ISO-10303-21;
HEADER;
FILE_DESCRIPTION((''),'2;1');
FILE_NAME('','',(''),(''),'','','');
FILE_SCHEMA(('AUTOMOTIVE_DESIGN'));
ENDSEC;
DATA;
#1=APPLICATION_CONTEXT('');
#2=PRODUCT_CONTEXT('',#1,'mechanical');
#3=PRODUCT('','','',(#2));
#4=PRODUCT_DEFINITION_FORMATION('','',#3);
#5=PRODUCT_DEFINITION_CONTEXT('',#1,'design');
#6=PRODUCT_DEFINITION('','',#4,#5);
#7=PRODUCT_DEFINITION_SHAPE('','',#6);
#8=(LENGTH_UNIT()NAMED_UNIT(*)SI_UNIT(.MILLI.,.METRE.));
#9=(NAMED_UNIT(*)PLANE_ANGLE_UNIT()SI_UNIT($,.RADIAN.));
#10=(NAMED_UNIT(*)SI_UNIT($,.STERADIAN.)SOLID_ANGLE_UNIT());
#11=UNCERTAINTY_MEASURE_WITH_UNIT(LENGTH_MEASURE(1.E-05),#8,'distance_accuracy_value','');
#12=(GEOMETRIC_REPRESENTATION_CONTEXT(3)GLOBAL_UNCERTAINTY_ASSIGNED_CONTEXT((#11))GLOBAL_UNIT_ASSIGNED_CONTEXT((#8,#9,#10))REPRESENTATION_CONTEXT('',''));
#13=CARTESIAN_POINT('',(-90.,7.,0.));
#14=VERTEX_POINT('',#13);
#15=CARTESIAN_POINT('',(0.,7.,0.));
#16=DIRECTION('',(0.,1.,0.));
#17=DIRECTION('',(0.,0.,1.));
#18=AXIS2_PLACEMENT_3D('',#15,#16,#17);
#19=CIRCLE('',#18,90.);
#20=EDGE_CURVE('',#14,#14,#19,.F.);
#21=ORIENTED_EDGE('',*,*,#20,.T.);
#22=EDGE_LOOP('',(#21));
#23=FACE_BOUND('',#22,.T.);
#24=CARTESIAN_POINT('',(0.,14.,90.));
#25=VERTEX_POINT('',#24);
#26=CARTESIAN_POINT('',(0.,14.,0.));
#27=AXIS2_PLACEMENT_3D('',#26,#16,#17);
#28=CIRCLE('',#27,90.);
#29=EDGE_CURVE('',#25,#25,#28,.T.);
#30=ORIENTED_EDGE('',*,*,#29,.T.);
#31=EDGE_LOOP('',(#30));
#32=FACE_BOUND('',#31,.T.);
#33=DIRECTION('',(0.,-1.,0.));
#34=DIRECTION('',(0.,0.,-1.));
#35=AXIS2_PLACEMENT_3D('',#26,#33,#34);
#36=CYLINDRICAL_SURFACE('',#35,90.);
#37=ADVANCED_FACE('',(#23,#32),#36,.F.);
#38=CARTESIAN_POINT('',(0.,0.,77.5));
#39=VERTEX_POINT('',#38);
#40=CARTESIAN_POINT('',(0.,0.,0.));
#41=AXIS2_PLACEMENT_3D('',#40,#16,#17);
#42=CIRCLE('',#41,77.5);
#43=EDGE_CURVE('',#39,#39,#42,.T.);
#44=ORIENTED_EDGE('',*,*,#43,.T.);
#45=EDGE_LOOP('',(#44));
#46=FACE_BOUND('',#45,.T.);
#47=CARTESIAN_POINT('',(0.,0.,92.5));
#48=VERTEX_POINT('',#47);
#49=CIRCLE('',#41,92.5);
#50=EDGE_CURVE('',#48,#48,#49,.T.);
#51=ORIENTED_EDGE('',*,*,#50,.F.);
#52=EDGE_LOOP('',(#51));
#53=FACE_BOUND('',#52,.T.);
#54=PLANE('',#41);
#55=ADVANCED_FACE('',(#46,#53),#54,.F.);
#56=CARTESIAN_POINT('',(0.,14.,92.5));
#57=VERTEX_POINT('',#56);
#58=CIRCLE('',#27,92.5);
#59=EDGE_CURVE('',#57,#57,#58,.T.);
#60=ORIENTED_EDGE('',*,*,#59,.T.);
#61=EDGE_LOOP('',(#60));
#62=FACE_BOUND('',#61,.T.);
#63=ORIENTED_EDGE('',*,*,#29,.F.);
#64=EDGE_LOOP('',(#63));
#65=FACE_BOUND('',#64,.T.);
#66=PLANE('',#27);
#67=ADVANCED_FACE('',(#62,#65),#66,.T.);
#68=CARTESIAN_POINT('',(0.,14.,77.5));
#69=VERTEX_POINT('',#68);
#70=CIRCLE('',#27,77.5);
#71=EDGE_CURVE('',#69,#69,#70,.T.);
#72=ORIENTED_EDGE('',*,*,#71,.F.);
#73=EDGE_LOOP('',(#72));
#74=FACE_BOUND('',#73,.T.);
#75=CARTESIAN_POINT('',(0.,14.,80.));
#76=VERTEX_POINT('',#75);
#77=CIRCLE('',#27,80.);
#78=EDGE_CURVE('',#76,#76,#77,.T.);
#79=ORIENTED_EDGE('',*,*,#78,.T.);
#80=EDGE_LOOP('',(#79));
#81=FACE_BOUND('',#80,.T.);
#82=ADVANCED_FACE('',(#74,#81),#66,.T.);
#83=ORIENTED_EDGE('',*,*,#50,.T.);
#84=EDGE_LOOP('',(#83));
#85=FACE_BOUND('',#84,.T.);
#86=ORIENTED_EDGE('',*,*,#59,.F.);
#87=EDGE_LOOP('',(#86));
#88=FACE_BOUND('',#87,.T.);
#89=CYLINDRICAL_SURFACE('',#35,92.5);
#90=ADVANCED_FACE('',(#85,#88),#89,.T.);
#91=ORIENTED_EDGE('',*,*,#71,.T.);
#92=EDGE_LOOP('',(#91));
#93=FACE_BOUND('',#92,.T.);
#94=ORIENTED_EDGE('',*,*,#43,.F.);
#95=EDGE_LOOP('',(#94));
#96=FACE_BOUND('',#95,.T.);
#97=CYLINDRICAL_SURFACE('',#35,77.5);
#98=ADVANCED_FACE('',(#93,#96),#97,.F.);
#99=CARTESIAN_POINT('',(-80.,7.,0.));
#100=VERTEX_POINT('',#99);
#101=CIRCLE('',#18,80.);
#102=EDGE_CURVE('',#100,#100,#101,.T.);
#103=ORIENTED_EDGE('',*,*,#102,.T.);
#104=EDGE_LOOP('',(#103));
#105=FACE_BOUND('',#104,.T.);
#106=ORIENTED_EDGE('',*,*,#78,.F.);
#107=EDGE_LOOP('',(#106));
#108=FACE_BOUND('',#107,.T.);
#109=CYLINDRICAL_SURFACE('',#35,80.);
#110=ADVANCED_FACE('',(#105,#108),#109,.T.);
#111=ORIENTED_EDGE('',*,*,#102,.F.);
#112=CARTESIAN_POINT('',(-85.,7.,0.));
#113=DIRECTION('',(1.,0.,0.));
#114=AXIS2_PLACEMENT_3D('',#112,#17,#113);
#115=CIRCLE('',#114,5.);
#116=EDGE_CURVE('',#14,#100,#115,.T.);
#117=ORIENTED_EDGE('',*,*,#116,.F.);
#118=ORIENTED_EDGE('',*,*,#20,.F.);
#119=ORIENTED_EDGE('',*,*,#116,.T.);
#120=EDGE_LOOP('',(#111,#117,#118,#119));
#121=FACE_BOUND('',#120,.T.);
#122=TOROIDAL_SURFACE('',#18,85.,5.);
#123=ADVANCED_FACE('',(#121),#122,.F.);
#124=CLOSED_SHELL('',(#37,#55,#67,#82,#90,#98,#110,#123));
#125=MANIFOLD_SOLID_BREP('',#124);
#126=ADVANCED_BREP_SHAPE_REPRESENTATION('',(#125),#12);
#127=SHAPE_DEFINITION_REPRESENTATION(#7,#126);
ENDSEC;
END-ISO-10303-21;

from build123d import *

# Parameters (mm, degrees)
SKETCH_1_R      = 90
SKETCH_1_R_2    = 80
EXTRUDE_1_DEPTH = 7
SKETCH_1_3_R    = 92.5
SKETCH_1_3_R_2  = 90
SKETCH_1_3_R_3  = 80
SKETCH_1_3_R_4  = 77.5
EXTRUDE_2_DEPTH = 14


with BuildPart() as part:
    # 草图1 → 凸台-拉伸1 (new body)
    with BuildSketch(Plane(origin=(0, 0, 0), x_dir=(1, 0, 0), z_dir=(0, 1, 0))):
        Circle(SKETCH_1_R)
        Circle(SKETCH_1_R_2, mode=Mode.SUBTRACT)
    extrude(amount=EXTRUDE_1_DEPTH)

    # 草图1<3> → 凸台-拉伸2 (add)
    # profile 1 of 2: a face of its own
    with BuildSketch(Plane(origin=(0, 0, 0), x_dir=(1, 0, 0), z_dir=(0, 1, 0))):
        Circle(SKETCH_1_3_R)
        Circle(SKETCH_1_3_R_2, mode=Mode.SUBTRACT)
    # profile 2 of 2: a face of its own
    with BuildSketch(Plane(origin=(0, 0, 0), x_dir=(1, 0, 0), z_dir=(0, 1, 0))):
        Circle(SKETCH_1_3_R_3)
        Circle(SKETCH_1_3_R_4, mode=Mode.SUBTRACT)
    extrude(amount=EXTRUDE_2_DEPTH)

    # 切除-扫描1: sweep along a path in 草图3
    with BuildLine(Plane(origin=(0, 7, 0), x_dir=(1, 0, 0), z_dir=(0, 1, 0))) as sweep_1_path:
        CenterArc((0, 0), 85, 0, 360)
    # 草图2 → 切除-扫描1 (sweep, cut)
    with BuildSketch(Plane.XY):
        with BuildLine():
            Line((-90, 7), (-80, 7))
            ThreePointArc((-80, 7), (-85, 2), (-90, 7))
        make_face()
    sweep(path=sweep_1_path.line, mode=Mode.SUBTRACT)


solid = part.part
